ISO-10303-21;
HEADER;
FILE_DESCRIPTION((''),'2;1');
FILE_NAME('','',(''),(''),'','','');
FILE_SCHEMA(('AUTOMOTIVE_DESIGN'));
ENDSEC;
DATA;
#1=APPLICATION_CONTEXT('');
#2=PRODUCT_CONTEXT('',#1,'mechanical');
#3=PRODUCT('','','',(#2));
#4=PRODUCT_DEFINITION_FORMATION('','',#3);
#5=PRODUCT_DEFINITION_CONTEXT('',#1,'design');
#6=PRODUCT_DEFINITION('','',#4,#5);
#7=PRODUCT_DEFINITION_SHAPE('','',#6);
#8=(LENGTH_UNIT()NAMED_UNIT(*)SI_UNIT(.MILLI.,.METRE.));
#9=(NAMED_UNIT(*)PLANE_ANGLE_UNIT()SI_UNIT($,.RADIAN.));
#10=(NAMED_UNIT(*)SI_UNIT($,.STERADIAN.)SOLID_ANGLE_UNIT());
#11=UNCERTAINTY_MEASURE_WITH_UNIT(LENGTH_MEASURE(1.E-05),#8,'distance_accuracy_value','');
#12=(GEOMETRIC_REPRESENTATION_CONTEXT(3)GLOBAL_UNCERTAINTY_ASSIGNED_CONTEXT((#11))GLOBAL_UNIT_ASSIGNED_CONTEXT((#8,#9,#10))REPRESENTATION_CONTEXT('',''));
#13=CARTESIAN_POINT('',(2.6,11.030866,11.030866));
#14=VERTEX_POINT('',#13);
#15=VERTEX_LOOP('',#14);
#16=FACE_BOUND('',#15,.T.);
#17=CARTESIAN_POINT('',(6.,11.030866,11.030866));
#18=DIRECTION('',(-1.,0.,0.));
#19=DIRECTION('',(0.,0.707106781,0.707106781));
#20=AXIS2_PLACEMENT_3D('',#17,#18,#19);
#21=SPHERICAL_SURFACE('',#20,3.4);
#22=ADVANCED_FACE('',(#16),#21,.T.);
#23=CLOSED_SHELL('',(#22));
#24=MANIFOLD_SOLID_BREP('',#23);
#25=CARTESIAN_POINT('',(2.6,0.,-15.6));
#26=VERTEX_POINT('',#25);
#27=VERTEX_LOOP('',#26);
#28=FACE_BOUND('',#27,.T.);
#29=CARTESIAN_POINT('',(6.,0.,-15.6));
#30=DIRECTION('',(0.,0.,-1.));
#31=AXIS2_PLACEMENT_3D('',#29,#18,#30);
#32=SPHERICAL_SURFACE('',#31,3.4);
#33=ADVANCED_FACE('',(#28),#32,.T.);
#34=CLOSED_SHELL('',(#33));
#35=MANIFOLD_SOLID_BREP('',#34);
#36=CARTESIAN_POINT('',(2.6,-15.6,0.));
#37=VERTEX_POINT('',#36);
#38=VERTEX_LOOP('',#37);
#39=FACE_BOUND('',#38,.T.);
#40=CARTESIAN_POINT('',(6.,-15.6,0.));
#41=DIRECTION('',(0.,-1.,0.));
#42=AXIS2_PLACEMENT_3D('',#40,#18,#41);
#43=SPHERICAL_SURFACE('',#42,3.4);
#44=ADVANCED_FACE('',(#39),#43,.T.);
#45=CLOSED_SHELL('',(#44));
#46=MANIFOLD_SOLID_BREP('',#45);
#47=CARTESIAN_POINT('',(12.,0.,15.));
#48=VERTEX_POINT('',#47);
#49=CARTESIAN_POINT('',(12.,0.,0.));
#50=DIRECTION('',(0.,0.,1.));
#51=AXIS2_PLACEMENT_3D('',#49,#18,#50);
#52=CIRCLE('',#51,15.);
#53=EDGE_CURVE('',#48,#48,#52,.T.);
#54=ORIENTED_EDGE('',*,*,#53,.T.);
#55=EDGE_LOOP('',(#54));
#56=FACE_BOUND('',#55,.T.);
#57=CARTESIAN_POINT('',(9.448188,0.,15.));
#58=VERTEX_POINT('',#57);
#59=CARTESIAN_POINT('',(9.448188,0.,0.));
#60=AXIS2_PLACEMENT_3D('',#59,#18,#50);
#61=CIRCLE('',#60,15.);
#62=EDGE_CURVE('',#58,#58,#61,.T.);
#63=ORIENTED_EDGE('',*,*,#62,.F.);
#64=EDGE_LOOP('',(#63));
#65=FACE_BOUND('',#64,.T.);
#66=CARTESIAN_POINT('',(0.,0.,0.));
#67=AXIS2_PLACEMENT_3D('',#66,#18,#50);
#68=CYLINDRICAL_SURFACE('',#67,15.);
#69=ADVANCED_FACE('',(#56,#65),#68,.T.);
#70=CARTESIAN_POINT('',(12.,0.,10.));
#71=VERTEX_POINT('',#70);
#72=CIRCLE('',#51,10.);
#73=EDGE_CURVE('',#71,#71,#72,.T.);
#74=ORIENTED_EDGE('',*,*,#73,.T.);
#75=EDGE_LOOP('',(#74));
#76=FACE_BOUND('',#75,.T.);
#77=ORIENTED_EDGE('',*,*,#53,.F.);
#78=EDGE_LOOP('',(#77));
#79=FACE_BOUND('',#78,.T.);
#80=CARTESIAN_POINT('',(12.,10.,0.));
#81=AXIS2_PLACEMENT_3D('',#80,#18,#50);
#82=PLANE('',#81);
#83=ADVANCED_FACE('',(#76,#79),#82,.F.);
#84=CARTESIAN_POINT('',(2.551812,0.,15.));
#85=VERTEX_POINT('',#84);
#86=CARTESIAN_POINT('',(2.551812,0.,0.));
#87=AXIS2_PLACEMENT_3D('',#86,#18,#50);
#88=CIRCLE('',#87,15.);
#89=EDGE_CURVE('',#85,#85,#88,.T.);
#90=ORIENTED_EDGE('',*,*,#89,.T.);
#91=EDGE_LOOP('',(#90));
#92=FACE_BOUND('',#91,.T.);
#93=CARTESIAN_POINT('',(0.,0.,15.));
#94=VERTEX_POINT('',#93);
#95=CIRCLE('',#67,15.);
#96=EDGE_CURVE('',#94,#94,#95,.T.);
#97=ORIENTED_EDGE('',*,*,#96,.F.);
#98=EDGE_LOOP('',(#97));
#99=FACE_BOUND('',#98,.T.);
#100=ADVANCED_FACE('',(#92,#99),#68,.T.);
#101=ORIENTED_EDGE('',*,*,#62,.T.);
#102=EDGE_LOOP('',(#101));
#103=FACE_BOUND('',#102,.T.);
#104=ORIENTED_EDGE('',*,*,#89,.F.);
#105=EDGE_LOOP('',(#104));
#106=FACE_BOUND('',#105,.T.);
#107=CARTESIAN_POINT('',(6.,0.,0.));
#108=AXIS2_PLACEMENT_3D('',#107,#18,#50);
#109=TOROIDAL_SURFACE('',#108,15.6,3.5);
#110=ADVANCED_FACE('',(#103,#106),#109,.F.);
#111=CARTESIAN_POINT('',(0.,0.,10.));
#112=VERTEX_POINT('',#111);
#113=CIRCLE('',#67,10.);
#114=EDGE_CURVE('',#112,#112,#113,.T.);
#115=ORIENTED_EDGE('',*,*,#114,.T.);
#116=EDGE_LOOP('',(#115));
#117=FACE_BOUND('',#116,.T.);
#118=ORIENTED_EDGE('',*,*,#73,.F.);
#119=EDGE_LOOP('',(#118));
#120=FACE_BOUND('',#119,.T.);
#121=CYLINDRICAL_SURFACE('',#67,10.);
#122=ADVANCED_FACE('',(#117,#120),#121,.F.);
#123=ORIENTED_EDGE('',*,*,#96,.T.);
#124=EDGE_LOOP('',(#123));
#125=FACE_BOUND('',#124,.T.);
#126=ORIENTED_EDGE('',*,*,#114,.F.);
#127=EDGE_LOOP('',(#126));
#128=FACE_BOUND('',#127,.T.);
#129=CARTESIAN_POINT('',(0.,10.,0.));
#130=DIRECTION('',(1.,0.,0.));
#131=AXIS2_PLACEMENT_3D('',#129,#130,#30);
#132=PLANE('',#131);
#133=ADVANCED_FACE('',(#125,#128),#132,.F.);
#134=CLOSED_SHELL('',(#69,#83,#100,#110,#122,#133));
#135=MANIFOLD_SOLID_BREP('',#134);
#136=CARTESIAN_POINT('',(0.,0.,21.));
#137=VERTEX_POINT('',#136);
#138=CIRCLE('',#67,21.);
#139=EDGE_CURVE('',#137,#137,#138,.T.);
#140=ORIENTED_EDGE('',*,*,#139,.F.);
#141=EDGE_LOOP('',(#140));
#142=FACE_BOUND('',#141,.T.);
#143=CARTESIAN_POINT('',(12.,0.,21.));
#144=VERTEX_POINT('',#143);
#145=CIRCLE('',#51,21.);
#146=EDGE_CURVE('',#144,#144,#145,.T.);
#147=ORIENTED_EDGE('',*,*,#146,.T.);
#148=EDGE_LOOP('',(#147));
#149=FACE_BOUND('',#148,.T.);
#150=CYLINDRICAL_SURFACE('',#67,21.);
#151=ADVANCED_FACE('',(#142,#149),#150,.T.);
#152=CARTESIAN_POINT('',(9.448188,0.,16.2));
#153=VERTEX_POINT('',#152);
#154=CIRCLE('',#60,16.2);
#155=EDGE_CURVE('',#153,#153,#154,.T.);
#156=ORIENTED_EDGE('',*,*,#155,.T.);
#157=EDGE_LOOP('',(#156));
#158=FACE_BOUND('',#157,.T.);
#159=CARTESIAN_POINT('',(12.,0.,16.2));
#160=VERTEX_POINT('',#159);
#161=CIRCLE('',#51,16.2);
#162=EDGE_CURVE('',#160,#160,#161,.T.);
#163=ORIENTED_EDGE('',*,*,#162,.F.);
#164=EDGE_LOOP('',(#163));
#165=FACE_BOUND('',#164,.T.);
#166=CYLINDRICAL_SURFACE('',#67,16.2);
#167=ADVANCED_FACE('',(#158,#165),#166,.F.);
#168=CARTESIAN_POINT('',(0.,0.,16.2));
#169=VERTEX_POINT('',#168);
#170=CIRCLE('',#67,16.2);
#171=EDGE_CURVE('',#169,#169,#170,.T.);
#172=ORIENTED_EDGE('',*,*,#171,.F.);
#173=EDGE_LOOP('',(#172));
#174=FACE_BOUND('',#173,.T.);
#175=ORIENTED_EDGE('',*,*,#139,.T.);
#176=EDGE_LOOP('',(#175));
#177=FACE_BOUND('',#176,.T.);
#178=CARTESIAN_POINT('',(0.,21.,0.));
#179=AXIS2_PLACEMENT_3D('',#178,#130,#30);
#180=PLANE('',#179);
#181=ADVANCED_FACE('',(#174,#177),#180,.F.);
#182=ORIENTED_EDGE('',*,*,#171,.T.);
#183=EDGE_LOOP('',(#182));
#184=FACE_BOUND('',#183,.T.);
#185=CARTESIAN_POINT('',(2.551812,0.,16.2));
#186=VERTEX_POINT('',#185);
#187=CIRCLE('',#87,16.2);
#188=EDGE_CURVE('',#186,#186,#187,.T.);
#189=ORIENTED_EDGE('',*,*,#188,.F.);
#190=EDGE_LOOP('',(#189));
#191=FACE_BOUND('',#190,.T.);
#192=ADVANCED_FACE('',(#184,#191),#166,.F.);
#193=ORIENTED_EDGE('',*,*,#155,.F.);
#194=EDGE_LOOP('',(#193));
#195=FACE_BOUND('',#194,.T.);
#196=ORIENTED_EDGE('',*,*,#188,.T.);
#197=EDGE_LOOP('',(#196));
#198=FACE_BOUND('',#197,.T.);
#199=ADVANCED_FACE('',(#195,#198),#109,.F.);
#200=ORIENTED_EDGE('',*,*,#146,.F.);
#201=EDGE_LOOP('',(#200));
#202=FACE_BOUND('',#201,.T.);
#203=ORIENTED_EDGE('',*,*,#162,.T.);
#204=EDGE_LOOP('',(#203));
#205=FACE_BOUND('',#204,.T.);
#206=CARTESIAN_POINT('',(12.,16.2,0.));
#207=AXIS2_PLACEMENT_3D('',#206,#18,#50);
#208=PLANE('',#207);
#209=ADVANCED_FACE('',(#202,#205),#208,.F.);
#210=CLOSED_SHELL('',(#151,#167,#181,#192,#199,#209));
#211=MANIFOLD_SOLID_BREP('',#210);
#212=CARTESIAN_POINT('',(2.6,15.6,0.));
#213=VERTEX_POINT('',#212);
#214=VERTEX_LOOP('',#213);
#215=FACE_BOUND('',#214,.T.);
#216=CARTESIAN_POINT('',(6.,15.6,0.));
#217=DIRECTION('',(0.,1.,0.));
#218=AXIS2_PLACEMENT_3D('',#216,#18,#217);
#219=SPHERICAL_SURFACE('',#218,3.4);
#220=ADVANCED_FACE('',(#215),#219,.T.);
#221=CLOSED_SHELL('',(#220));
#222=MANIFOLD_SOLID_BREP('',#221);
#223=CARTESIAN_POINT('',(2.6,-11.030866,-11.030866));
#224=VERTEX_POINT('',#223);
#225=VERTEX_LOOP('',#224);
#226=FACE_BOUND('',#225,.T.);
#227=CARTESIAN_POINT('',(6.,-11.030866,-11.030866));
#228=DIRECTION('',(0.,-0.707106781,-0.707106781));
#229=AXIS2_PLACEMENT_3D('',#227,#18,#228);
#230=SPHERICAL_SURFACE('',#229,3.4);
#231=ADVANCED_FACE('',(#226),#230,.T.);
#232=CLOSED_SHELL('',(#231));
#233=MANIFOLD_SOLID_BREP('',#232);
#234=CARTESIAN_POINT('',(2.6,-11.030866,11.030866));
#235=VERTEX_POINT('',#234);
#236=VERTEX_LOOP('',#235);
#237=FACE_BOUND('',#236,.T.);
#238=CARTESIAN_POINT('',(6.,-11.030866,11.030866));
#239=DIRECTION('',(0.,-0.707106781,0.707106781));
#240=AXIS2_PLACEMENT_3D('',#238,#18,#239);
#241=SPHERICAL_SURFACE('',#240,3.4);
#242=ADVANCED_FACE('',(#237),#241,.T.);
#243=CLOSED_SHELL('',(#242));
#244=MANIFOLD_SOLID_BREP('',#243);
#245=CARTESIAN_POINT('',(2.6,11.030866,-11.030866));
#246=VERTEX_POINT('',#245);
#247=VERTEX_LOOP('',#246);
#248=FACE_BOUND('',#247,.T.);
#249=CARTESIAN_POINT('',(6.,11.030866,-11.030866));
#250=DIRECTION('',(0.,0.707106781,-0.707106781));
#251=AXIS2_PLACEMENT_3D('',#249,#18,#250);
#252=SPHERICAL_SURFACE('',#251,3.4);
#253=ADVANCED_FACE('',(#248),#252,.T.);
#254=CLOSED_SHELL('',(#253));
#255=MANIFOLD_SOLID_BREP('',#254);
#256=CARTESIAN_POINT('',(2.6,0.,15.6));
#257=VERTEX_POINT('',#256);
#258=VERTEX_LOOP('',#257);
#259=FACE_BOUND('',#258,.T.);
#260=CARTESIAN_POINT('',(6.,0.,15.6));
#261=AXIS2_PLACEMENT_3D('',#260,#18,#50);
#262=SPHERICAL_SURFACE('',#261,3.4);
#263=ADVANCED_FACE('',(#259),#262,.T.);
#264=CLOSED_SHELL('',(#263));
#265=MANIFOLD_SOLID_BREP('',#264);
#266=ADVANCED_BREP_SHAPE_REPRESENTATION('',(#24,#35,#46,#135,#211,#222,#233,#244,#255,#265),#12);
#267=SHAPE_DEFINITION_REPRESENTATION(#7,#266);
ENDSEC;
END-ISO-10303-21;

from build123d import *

# Parameters (mm, degrees)
DAIRESEL_KAPLAMA9_COUNT = 8


with BuildPart() as part:
    # Çizim1 → Döndür1 (revolve)
    with BuildSketch(Plane.XY, mode=Mode.PRIVATE) as d_nd_r1_sk:
        with BuildLine():
            Line((0, 21), (0, 16.2))
            Line((0, 16.2), (2.55181207, 16.2))
            ThreePointArc((2.55181207, 16.2), (6, 19.1), (9.44818793, 16.2))
            Line((9.44818793, 16.2), (12, 16.2))
            Line((12, 16.2), (12, 21))
            Line((12, 21), (0, 21))
        make_face()
        with BuildLine():
            Line((0, 10), (12, 10))
            Line((12, 10), (12, 15))
            Line((12, 15), (9.44818793, 15))
            ThreePointArc((9.44818793, 15), (6, 12.1), (2.55181207, 15))
            Line((2.55181207, 15), (0, 15))
            Line((0, 15), (0, 10))
        make_face()
    revolve(d_nd_r1_sk.sketch.rotate(Axis((0, 0, 0), (1, 0, 0)), 90), axis=Axis((0, 0, 0), (1, 0, 0)))


with BuildPart() as body_2:
    # Çizim2 → Döndür2 (revolve)
    with BuildSketch(Plane.XY):
        with BuildLine():
            Line((2.6, 15.6), (9.4, 15.6))
            ThreePointArc((9.4, 15.6), (6, 19), (2.6, 15.6))
        make_face()
    revolve(axis=Axis((2.6, 15.6, 0), (1, 0, 0)))


with BuildPart() as dairesel_kaplama9_1:
    # Dairesel Kaplama9: pattern copy
    add(body_2.part.rotate(Axis((0, 0, 0), (1, 0, 0)), 1 * 360 / DAIRESEL_KAPLAMA9_COUNT))


with BuildPart() as dairesel_kaplama9_2:
    # Dairesel Kaplama9: pattern copy
    add(body_2.part.rotate(Axis((0, 0, 0), (1, 0, 0)), 2 * 360 / DAIRESEL_KAPLAMA9_COUNT))


with BuildPart() as dairesel_kaplama9_3:
    # Dairesel Kaplama9: pattern copy
    add(body_2.part.rotate(Axis((0, 0, 0), (1, 0, 0)), 3 * 360 / DAIRESEL_KAPLAMA9_COUNT))


with BuildPart() as dairesel_kaplama9_4:
    # Dairesel Kaplama9: pattern copy
    add(body_2.part.rotate(Axis((0, 0, 0), (1, 0, 0)), 4 * 360 / DAIRESEL_KAPLAMA9_COUNT))


with BuildPart() as dairesel_kaplama9_5:
    # Dairesel Kaplama9: pattern copy
    add(body_2.part.rotate(Axis((0, 0, 0), (1, 0, 0)), 5 * 360 / DAIRESEL_KAPLAMA9_COUNT))


with BuildPart() as dairesel_kaplama9_6:
    # Dairesel Kaplama9: pattern copy
    add(body_2.part.rotate(Axis((0, 0, 0), (1, 0, 0)), 6 * 360 / DAIRESEL_KAPLAMA9_COUNT))


with BuildPart() as dairesel_kaplama9_7:
    # Dairesel Kaplama9: pattern copy
    add(body_2.part.rotate(Axis((0, 0, 0), (1, 0, 0)), 7 * 360 / DAIRESEL_KAPLAMA9_COUNT))


solid = Compound([part.part, body_2.part, dairesel_kaplama9_1.part, dairesel_kaplama9_2.part, dairesel_kaplama9_3.part, dairesel_kaplama9_4.part, dairesel_kaplama9_5.part, dairesel_kaplama9_6.part, dairesel_kaplama9_7.part])
